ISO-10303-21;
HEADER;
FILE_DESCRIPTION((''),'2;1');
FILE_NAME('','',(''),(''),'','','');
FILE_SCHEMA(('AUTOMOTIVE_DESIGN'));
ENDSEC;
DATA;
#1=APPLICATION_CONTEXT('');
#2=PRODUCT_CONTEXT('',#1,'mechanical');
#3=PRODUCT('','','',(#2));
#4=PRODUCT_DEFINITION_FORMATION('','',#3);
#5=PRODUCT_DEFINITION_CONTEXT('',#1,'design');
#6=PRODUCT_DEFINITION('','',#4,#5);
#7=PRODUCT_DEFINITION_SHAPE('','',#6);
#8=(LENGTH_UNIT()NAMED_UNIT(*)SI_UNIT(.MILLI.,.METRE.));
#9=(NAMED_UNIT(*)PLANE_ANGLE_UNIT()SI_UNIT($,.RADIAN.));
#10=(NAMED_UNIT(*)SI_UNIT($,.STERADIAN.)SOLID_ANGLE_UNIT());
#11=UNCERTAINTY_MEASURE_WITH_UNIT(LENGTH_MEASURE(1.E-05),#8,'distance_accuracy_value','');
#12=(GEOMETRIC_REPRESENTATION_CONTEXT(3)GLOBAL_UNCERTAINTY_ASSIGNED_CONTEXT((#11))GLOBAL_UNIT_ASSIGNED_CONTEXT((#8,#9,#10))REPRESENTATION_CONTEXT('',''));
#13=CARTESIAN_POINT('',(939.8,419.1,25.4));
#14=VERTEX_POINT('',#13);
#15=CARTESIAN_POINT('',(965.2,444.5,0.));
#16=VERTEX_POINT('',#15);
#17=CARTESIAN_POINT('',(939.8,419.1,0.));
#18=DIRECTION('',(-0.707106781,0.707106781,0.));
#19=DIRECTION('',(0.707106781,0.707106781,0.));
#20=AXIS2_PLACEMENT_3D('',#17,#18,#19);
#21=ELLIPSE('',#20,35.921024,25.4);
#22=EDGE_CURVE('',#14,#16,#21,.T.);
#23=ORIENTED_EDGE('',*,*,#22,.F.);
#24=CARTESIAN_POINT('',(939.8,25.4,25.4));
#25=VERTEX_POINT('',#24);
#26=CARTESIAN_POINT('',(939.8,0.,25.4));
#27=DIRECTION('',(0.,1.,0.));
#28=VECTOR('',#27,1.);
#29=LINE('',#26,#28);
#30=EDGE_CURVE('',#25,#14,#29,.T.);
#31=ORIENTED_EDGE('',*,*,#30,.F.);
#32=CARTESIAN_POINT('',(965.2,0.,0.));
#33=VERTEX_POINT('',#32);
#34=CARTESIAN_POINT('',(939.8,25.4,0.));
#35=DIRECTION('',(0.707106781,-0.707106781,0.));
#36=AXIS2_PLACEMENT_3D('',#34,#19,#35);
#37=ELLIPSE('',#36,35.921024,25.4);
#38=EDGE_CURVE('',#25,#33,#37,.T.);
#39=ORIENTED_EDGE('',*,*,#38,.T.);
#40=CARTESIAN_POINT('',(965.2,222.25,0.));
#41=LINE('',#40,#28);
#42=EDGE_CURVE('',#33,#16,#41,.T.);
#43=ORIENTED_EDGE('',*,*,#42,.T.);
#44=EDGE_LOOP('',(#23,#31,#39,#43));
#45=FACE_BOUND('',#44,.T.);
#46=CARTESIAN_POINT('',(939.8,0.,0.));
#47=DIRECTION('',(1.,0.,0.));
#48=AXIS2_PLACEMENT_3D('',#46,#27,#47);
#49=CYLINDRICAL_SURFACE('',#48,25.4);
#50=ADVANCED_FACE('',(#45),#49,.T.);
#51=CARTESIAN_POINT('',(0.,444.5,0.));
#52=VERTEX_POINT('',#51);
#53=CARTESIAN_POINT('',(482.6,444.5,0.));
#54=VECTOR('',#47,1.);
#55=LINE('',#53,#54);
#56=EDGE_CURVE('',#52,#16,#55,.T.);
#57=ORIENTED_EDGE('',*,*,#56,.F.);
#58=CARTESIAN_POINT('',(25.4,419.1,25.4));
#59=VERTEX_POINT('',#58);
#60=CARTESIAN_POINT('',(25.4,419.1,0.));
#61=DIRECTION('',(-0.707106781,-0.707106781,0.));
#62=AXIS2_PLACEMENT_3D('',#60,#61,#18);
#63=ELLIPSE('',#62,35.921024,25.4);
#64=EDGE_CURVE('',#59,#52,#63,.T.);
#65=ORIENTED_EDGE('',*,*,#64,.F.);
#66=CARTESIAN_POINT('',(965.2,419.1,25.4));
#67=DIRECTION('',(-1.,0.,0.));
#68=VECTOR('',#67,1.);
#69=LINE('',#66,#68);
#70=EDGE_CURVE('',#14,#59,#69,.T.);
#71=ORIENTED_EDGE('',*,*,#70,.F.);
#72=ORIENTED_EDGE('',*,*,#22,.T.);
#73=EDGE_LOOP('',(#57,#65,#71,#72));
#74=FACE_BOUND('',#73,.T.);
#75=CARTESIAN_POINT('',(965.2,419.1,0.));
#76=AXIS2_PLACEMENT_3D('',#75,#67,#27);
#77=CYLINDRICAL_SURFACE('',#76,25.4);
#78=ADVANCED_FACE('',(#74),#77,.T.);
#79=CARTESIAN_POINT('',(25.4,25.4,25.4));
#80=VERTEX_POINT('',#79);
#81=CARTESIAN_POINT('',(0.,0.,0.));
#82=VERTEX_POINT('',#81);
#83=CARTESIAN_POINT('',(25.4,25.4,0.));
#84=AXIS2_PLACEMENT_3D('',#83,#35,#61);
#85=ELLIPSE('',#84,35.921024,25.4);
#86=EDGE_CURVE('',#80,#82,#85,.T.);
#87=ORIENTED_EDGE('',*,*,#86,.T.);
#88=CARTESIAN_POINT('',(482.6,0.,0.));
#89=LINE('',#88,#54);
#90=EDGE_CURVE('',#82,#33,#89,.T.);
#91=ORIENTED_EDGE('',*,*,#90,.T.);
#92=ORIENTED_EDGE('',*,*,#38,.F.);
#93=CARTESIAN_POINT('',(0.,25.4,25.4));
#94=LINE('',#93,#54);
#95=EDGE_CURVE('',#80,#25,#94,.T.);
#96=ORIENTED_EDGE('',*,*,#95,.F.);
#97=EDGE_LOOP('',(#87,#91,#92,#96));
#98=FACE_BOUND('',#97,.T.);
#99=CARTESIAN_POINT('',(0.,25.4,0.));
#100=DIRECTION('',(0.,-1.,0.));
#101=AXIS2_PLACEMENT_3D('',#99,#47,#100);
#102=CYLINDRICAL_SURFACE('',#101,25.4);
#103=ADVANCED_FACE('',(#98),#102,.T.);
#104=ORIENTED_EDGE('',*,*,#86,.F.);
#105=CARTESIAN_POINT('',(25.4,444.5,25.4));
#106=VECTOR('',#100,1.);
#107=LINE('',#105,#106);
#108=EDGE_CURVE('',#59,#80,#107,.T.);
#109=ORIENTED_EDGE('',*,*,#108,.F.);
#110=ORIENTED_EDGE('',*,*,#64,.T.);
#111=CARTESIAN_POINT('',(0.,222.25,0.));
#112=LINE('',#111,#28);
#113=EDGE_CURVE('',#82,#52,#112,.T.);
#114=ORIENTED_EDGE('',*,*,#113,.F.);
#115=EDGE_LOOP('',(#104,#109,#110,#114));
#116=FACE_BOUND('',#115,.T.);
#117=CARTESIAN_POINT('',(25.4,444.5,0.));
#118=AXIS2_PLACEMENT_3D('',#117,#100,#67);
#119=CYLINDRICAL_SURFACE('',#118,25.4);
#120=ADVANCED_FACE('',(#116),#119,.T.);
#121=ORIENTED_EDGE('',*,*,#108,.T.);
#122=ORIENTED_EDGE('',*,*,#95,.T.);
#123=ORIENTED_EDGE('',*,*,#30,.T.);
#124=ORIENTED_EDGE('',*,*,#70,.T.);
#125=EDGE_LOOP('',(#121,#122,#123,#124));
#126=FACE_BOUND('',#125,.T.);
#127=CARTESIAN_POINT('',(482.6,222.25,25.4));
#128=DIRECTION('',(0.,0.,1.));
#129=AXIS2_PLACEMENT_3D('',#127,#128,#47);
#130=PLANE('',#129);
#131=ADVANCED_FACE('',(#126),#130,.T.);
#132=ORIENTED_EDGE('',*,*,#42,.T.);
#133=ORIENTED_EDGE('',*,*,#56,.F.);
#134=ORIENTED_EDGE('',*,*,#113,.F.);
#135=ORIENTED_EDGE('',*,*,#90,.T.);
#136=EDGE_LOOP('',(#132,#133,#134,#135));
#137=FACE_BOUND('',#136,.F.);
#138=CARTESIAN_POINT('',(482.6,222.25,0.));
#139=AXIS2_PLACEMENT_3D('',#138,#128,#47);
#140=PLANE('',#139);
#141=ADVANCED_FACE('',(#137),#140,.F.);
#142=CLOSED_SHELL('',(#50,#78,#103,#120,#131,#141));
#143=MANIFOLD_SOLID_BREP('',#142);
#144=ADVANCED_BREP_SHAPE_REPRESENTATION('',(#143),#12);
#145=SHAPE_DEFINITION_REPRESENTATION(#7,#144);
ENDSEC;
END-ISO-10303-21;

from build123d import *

# Parameters (mm, degrees)
F0_W     = 965.2
F0_H     = 444.5
F1_DEPTH = 25.4


with BuildPart() as f1:
    # F0 (on Top) → F1 (new body)
    with BuildSketch(Plane.XY):
        with Locations((482.6, 222.25)):
            Rectangle(F0_W, F0_H)
    extrude(amount=F1_DEPTH)

    # F3: sweep along a path in F3_path
    with BuildLine(Plane(origin=(0, 0, 25.4), x_dir=(0, -1, 0), z_dir=(0, 0, -1))) as f3_path:
        Line((0, 0), (0, -965.2))
        Line((0, -965.2), (-444.5, -965.2))
        Line((-444.5, -965.2), (-444.5, 0))
        Line((-444.5, 0), (0, 0))
    # F2 (on Right) → F3 (sweep, cut)
    with BuildSketch(Plane.YZ):
        with BuildLine():
            ThreePointArc((0, 0), (7.4394877579, 17.9605122421), (25.4, 25.4))
            Line((25.4, 25.4), (0, 25.4))
            Line((0, 25.4), (0, 0))
        make_face()
    sweep(path=f3_path.line, transition=Transition.RIGHT, mode=Mode.SUBTRACT)


solid = f1.part
